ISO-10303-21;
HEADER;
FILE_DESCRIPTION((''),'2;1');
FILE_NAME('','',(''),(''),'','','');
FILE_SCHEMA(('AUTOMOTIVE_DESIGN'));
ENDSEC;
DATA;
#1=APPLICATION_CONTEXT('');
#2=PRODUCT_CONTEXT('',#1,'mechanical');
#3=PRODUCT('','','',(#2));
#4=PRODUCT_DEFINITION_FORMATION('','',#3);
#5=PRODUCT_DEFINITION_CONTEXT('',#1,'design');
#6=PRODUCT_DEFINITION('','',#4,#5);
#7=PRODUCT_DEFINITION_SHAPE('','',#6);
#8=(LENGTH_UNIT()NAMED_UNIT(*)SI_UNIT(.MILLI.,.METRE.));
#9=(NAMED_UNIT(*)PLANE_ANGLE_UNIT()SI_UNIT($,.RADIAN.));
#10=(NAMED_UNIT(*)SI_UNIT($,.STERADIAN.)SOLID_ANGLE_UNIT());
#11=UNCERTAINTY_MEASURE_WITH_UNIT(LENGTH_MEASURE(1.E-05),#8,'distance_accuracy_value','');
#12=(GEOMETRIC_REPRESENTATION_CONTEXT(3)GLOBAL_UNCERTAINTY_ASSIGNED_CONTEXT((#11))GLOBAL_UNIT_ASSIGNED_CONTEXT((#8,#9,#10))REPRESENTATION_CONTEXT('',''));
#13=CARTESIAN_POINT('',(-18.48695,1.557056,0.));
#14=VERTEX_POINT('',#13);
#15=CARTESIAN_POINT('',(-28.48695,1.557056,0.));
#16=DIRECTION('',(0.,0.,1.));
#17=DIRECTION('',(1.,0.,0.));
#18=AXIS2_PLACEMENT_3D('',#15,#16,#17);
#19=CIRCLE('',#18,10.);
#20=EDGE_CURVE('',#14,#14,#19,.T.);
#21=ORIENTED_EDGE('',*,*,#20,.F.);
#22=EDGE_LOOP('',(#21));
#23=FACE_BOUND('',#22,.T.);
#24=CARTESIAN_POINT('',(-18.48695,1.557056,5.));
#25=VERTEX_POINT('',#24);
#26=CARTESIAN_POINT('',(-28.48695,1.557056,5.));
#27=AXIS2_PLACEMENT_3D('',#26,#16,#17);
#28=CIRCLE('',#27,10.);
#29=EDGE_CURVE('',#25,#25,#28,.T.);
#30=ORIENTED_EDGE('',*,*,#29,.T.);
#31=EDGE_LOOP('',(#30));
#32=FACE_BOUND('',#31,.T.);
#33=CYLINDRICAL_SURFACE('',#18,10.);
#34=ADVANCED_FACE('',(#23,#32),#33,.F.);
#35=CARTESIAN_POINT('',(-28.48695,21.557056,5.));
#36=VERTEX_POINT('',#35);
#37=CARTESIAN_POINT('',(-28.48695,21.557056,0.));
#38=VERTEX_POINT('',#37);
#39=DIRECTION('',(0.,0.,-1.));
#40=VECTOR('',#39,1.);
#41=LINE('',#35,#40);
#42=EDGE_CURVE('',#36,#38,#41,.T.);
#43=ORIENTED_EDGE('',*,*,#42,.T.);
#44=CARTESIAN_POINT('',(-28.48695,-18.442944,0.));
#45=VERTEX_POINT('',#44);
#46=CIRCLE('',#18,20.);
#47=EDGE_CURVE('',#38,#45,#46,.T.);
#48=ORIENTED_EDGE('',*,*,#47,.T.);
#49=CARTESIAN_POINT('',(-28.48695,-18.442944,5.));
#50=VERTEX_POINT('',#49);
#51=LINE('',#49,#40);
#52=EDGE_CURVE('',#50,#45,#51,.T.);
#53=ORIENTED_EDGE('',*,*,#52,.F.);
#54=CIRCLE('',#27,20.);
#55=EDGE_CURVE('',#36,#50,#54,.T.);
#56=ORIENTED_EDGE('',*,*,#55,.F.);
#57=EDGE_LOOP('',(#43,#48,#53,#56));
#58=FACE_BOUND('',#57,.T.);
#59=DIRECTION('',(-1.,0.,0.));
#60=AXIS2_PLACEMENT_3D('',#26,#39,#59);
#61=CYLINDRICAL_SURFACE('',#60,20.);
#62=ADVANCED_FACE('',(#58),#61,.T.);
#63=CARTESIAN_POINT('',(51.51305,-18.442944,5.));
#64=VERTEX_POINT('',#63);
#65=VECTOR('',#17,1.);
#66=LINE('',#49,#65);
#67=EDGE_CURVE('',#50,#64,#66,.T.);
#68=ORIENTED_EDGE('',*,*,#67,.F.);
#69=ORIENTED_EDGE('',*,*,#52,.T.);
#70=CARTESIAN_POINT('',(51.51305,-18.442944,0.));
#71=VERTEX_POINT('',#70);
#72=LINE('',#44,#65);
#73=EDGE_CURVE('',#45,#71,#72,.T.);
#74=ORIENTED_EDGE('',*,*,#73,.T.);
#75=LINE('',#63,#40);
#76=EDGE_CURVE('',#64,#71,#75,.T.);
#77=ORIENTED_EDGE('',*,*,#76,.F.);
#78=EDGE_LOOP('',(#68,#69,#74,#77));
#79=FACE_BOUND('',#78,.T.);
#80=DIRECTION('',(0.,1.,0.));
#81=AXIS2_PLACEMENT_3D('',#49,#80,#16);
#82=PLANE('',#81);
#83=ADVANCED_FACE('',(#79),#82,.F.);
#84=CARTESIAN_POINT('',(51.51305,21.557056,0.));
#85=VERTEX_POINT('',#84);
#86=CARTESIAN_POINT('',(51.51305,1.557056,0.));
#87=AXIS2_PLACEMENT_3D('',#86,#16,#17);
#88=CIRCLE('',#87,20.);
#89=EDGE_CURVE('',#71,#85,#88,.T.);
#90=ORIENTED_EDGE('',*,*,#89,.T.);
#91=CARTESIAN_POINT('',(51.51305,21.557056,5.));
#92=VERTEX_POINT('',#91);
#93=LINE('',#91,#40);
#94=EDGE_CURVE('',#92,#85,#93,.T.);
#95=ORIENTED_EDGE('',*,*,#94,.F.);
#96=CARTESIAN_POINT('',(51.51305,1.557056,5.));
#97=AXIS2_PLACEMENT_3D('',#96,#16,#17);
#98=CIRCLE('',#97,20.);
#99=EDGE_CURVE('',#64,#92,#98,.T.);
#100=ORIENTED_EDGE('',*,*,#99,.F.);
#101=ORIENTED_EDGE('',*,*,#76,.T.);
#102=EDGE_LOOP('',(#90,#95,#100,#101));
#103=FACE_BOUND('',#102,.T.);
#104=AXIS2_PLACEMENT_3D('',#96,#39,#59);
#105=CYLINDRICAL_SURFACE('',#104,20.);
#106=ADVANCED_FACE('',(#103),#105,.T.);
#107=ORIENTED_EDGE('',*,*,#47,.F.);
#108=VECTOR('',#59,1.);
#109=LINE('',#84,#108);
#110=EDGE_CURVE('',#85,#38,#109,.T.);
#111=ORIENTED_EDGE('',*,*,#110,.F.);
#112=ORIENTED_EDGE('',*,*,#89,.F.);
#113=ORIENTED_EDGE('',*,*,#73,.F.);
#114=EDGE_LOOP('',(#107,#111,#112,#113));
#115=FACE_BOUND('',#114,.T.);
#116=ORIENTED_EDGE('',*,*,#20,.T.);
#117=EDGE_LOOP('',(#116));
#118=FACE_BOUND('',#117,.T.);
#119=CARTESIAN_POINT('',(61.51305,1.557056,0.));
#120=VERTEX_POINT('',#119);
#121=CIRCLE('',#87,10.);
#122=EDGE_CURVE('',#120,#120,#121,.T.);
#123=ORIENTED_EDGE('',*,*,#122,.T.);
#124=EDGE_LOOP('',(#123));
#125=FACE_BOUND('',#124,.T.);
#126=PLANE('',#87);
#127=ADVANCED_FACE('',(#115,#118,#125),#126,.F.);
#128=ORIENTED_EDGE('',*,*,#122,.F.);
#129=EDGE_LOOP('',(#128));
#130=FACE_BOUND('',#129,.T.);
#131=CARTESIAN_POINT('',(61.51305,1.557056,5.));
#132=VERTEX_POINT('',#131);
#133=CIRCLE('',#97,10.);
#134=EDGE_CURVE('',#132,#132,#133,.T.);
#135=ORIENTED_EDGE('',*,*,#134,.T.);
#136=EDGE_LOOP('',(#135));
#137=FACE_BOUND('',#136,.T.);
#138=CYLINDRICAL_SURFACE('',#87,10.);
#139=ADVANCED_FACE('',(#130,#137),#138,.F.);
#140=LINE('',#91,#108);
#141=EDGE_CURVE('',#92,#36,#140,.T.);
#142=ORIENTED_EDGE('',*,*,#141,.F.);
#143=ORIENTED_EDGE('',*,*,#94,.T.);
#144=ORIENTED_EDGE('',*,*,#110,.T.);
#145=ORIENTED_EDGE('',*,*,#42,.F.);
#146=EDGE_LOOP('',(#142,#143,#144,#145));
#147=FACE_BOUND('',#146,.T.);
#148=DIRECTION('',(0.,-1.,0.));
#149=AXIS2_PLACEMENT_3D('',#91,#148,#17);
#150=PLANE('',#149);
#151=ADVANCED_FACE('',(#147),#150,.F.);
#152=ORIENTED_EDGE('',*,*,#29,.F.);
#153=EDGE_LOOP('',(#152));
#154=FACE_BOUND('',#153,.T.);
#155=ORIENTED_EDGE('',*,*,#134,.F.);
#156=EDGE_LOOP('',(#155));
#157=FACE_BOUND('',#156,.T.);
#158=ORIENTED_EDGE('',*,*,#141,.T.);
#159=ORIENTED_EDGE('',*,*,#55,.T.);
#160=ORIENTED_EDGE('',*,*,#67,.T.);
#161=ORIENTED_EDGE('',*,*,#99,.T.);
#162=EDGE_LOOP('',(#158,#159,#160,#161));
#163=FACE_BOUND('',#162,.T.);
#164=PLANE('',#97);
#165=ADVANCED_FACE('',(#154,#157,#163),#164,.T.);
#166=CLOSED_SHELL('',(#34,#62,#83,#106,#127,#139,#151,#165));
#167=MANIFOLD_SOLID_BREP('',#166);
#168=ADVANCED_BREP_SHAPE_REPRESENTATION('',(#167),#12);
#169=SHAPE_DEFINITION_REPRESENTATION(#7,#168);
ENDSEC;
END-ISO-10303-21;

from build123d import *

# Parameters (mm, degrees)
EXTRUDE1_DEPTH     = 5
SKETCH2_R          = 10
CUT_EXTRUDE1_DEPTH = 6


with BuildPart() as part:
    # Sketch1 → Extrude1 (new body)
    with BuildSketch(Plane.XY):
        with BuildLine():
            Line((51.513050076, 21.557056146), (-28.486949924, 21.557056146))
            ThreePointArc((-28.486949924, 21.557056146), (-48.486949924, 1.557056146), (-28.486949924, -18.442943854))
            Line((-28.486949924, -18.442943854), (51.513050076, -18.442943854))
            ThreePointArc((51.513050076, -18.442943854), (71.513050076, 1.557056146), (51.513050076, 21.557056146))
        make_face()
    extrude(amount=EXTRUDE1_DEPTH)

    # Sketch2 → Cut-Extrude1 (cut, through all)
    with BuildSketch(Plane.XY.offset(5)):
        with Locations((-28.486949924, 1.557056146)):
            Circle(SKETCH2_R)
        with Locations((51.513050076, 1.557056146)):
            Circle(SKETCH2_R)
    extrude(amount=-CUT_EXTRUDE1_DEPTH, mode=Mode.SUBTRACT)


solid = part.part
